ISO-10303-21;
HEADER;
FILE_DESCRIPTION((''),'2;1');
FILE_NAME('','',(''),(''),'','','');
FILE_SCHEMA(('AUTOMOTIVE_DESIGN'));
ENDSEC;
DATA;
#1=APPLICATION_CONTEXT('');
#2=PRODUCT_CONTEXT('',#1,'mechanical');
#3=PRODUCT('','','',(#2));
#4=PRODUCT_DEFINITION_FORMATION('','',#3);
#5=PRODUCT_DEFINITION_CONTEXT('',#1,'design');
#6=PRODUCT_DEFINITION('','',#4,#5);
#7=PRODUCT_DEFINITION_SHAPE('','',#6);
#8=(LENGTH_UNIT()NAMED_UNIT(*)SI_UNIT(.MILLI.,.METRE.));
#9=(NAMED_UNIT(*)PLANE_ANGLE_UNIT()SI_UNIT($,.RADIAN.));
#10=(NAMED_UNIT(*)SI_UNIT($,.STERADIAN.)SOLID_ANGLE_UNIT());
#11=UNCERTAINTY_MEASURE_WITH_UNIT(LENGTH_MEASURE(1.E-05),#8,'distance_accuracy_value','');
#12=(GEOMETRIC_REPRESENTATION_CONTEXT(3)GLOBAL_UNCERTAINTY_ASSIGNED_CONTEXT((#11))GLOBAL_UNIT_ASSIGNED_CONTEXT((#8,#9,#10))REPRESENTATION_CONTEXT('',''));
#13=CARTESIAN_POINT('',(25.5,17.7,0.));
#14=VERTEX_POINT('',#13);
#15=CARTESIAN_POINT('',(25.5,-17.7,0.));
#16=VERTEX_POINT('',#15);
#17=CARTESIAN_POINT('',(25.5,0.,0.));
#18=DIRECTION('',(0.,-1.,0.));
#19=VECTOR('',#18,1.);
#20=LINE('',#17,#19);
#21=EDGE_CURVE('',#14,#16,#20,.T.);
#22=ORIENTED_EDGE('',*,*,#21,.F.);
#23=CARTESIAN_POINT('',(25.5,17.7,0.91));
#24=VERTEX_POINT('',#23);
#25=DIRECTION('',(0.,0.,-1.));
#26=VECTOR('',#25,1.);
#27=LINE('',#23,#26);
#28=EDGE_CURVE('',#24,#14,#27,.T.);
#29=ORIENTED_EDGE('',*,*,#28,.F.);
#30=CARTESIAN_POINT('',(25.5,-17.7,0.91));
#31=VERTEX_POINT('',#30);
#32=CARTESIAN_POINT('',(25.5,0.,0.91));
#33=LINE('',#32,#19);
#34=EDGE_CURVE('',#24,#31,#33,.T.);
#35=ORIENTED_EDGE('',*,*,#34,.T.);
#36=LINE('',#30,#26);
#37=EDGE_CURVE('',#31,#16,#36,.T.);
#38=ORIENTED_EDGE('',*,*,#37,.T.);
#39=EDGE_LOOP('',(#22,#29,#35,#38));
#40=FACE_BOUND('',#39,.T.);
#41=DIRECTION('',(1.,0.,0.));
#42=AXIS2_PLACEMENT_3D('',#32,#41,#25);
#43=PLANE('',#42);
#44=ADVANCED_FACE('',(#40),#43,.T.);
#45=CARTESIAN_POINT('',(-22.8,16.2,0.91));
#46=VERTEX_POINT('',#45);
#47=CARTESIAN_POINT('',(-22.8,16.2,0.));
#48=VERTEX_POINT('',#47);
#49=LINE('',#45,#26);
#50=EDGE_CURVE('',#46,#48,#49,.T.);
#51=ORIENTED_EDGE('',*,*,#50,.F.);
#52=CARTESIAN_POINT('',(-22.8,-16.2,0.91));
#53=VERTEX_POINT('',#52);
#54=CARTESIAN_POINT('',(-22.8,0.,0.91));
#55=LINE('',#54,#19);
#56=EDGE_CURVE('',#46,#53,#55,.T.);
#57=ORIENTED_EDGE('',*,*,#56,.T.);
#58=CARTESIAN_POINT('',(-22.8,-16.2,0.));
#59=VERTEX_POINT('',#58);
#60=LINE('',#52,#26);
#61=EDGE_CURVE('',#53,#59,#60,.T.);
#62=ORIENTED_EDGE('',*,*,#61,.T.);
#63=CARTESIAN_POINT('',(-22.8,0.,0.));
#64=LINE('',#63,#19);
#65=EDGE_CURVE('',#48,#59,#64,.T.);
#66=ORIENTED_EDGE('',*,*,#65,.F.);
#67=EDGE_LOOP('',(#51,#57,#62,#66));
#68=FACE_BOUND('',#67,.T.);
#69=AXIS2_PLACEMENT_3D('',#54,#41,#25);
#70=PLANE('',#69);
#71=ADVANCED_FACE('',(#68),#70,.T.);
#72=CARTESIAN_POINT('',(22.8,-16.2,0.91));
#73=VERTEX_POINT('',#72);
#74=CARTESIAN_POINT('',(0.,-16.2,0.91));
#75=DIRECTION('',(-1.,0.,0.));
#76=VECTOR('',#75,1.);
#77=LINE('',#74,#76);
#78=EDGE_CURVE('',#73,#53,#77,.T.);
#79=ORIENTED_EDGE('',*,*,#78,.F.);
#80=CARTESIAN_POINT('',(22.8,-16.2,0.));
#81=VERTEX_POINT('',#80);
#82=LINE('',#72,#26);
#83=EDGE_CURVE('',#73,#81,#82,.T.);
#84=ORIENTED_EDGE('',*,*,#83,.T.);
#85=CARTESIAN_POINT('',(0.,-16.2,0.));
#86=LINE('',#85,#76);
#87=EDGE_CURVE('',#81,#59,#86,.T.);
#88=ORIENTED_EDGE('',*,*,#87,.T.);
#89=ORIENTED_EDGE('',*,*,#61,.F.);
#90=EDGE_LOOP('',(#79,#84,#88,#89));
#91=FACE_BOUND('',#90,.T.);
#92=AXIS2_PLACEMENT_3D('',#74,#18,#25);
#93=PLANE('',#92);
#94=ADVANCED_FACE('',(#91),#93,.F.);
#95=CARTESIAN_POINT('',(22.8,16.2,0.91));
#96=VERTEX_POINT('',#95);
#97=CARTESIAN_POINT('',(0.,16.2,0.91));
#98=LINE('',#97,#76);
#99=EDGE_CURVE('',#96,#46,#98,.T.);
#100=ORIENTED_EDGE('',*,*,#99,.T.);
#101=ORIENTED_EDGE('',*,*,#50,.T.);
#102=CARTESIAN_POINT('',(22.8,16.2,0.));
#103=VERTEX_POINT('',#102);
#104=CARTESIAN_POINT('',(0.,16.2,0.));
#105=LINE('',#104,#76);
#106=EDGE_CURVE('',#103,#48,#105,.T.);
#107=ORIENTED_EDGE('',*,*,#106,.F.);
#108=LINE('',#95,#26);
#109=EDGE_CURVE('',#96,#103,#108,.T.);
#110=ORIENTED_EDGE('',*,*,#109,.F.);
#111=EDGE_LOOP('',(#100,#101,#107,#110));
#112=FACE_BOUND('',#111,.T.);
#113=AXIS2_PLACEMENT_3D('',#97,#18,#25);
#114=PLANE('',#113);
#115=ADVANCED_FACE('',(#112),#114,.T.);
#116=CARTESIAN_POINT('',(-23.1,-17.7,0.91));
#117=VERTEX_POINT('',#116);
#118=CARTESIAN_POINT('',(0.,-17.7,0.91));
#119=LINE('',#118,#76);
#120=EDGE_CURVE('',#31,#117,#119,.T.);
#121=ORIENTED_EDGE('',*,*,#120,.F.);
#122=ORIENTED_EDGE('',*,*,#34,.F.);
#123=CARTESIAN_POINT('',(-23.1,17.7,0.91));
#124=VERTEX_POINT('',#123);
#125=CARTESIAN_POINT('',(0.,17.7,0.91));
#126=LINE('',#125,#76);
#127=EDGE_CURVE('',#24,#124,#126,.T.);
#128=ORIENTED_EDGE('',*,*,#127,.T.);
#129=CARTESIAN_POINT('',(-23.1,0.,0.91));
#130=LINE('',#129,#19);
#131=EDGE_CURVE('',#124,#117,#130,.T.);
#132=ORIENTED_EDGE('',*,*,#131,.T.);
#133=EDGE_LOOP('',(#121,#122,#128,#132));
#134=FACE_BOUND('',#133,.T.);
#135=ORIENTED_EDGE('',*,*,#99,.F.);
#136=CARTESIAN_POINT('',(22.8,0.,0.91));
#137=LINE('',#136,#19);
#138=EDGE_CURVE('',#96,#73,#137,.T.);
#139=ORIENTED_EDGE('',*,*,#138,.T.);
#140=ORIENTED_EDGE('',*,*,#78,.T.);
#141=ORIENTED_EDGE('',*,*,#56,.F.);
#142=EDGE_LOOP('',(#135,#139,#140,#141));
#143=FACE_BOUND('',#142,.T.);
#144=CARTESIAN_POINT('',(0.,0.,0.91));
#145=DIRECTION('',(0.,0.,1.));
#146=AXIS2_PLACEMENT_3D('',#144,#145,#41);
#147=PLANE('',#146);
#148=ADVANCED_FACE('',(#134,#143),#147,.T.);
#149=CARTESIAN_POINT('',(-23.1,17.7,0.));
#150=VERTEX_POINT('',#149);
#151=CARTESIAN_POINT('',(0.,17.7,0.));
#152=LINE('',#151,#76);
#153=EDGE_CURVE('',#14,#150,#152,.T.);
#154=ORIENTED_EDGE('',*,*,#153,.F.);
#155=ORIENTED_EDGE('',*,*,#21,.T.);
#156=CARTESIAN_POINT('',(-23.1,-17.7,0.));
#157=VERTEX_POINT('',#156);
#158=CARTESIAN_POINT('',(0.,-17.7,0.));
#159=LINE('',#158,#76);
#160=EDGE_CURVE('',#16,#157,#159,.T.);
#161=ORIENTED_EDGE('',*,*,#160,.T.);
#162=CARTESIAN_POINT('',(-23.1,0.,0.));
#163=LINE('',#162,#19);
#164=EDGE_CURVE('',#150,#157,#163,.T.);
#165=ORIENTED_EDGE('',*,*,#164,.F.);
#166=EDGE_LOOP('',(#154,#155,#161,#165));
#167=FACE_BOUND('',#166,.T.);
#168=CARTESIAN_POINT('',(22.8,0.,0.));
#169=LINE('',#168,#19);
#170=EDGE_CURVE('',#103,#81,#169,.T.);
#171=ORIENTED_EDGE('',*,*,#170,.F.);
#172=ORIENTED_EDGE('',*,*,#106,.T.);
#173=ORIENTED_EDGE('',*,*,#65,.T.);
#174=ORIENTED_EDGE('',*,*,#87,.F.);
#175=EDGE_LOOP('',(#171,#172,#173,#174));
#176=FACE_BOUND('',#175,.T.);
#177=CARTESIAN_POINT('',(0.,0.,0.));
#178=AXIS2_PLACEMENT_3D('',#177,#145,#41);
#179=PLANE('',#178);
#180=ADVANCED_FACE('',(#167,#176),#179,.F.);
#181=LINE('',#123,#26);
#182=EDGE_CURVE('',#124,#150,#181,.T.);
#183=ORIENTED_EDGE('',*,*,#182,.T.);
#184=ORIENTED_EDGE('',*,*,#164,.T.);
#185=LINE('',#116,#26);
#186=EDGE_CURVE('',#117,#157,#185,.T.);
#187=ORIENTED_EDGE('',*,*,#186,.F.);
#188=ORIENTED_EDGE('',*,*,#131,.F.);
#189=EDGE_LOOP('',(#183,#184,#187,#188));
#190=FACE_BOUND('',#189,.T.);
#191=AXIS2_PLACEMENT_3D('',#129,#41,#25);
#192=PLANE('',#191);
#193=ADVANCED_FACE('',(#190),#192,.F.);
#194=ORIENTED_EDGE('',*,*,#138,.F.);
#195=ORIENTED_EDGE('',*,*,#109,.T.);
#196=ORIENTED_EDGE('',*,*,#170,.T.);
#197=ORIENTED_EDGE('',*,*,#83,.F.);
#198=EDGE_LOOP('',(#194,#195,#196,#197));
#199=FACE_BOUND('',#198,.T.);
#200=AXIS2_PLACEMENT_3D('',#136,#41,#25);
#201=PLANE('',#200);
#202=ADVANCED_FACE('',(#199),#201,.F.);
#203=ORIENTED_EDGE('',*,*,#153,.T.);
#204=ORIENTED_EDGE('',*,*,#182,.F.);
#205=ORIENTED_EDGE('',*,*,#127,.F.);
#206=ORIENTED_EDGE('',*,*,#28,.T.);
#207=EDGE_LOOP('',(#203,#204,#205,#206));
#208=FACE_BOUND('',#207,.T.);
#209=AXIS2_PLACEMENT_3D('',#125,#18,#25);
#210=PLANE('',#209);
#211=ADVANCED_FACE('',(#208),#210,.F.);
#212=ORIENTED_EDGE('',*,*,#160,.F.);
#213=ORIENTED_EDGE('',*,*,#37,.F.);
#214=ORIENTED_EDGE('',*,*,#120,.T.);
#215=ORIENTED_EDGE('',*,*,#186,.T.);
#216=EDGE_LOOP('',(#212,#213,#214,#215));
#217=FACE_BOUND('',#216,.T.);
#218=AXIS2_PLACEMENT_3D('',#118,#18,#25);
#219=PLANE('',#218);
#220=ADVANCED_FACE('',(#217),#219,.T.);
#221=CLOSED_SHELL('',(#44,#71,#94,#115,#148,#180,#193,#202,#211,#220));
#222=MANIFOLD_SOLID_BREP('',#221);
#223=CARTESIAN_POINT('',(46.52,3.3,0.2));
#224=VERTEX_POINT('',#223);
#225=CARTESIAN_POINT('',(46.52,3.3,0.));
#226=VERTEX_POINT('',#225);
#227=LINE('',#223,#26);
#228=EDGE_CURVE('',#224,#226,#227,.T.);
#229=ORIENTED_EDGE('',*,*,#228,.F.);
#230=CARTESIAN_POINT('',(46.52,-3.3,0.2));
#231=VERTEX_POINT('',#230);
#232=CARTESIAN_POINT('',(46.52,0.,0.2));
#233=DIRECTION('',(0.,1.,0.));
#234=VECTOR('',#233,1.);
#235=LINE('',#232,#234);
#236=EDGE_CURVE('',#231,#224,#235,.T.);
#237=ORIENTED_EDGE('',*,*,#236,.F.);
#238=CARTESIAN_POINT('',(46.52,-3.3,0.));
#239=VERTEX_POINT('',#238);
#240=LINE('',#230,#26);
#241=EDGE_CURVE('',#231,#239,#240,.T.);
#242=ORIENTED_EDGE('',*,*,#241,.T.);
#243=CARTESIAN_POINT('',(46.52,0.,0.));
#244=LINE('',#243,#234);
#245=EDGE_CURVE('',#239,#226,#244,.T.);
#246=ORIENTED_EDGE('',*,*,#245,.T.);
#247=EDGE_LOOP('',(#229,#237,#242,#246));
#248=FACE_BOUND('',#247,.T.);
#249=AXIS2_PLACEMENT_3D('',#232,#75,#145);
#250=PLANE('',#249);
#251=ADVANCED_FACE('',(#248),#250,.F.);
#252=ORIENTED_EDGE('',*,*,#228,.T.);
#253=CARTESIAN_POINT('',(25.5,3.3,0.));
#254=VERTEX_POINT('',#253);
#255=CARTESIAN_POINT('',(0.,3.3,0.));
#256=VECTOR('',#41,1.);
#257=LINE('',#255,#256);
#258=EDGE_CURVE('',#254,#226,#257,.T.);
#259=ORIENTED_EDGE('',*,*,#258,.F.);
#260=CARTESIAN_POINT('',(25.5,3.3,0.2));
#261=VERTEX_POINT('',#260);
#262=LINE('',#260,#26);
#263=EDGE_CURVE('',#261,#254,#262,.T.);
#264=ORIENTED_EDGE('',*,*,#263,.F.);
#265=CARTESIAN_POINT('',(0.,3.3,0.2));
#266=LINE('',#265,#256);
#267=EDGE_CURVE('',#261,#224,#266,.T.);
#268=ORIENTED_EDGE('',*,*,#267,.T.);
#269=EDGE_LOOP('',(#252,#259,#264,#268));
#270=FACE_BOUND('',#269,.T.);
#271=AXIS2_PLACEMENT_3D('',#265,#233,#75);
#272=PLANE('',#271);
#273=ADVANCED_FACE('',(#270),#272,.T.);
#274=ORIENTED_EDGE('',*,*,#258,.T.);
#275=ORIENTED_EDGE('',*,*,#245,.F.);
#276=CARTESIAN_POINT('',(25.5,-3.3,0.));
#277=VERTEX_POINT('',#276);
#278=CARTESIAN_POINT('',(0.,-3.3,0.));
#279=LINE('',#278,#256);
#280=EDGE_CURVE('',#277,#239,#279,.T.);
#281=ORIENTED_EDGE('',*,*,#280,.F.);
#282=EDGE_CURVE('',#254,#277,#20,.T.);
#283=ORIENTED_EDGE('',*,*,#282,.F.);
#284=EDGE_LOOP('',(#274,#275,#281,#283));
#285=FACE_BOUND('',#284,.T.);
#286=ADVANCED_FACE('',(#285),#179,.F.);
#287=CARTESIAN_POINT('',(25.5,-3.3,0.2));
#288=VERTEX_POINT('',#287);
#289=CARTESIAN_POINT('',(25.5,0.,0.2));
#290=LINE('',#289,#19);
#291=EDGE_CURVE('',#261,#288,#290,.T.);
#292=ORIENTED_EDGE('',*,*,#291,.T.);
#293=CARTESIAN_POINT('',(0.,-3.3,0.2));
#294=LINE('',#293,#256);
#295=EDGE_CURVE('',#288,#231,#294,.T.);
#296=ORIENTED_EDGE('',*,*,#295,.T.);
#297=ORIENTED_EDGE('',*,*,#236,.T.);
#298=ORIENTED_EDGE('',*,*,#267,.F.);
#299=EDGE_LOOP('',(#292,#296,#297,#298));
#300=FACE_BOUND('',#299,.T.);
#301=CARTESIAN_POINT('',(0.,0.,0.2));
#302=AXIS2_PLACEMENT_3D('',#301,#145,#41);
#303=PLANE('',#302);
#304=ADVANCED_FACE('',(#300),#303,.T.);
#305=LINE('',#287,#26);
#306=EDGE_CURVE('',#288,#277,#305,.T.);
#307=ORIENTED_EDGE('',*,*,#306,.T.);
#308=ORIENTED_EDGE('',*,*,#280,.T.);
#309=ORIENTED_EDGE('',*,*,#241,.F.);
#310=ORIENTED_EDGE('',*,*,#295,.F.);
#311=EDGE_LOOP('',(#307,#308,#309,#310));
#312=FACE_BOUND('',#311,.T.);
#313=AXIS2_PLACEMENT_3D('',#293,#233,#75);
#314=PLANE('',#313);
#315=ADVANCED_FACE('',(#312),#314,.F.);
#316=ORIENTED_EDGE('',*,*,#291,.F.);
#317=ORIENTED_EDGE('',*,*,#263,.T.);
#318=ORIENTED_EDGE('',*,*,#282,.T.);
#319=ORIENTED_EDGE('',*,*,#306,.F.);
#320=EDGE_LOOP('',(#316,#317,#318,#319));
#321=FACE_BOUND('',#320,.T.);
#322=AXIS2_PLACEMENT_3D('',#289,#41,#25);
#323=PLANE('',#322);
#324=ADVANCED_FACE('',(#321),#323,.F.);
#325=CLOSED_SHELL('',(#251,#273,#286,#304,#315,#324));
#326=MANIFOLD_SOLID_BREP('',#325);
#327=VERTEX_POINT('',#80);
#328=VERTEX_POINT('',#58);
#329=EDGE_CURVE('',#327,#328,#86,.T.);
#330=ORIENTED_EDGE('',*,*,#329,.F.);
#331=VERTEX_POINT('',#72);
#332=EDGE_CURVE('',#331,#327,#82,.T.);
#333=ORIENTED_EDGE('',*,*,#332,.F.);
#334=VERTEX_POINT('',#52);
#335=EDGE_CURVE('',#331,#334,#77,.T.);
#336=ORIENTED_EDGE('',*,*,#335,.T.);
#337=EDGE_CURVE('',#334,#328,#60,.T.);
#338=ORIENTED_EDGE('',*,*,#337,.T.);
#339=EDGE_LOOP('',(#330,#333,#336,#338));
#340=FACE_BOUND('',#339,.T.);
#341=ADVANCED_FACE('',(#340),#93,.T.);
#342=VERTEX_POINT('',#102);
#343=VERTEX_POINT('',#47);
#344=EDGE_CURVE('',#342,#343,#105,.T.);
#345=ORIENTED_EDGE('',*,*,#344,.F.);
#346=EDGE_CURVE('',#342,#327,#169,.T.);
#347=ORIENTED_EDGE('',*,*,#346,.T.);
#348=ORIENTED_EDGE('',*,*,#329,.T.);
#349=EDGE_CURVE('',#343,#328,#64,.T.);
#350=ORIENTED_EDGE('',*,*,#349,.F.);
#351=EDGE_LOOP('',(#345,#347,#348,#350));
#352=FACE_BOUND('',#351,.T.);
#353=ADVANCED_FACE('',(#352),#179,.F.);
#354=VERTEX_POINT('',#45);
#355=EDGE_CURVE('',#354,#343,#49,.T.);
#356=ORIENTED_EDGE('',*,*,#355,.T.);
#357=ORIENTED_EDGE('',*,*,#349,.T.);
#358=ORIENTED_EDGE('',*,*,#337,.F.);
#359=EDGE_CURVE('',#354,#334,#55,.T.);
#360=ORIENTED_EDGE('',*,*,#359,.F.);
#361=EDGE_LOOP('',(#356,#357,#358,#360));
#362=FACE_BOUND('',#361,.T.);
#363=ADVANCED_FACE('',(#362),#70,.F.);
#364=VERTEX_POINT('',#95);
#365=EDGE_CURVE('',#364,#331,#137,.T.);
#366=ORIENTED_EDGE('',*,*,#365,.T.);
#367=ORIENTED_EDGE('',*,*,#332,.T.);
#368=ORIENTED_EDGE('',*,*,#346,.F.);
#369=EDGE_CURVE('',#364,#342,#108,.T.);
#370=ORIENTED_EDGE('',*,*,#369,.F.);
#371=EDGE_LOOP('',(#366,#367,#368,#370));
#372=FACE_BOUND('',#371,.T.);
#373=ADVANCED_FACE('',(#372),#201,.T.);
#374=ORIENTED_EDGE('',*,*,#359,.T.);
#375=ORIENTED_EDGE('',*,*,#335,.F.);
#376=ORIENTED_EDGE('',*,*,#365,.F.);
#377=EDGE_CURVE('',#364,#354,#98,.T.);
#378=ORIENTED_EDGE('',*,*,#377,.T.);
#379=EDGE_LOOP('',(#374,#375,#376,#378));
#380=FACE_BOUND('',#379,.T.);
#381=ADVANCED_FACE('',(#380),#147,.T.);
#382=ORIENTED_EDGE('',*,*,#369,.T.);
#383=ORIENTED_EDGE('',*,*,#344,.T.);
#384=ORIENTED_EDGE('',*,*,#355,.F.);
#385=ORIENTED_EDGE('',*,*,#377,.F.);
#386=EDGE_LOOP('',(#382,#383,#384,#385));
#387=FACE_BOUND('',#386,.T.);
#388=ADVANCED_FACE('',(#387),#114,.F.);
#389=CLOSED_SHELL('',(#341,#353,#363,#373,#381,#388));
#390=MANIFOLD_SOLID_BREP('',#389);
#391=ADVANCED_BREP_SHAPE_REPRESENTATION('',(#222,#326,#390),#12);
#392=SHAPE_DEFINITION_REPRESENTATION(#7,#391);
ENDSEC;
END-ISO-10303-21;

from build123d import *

# Parameters (mm, degrees)
SKETCH1_W           = 45.6
SKETCH1_H           = 32.4
BOSS_EXTRUDE1_DEPTH = 0.91
SKETCH1_3_W         = 45.6
SKETCH1_3_H         = 32.4
BOSS_EXTRUDE2_DEPTH = 0.91
SKETCH1_4_W         = 21.02
SKETCH1_4_H         = 6.6
BOSS_EXTRUDE3_DEPTH = 0.2


with BuildPart() as part:
    # Sketch1 → Boss-Extrude1 (new body)
    with BuildSketch(Plane.XY):
        Rectangle(SKETCH1_W, SKETCH1_H)
    extrude(amount=BOSS_EXTRUDE1_DEPTH)


with BuildPart() as body_2:
    # Sketch1<3> → Boss-Extrude2 (new body)
    with BuildSketch(Plane.XY):
        Polygon((25.5, 3.3), (25.5, 17.7), (-23.1, 17.7), (-23.1, -17.7), (25.5, -17.7), (25.5, -3.3), align=None)
        Rectangle(SKETCH1_3_W, SKETCH1_3_H, mode=Mode.SUBTRACT)
    extrude(amount=BOSS_EXTRUDE2_DEPTH)


with BuildPart() as body_3:
    # Sketch1<4> → Boss-Extrude3 (new body)
    with BuildSketch(Plane.XY):
        with Locations((36.01, 0)):
            Rectangle(SKETCH1_4_W, SKETCH1_4_H)
    extrude(amount=BOSS_EXTRUDE3_DEPTH)


solid = Compound([part.part, body_2.part, body_3.part])
